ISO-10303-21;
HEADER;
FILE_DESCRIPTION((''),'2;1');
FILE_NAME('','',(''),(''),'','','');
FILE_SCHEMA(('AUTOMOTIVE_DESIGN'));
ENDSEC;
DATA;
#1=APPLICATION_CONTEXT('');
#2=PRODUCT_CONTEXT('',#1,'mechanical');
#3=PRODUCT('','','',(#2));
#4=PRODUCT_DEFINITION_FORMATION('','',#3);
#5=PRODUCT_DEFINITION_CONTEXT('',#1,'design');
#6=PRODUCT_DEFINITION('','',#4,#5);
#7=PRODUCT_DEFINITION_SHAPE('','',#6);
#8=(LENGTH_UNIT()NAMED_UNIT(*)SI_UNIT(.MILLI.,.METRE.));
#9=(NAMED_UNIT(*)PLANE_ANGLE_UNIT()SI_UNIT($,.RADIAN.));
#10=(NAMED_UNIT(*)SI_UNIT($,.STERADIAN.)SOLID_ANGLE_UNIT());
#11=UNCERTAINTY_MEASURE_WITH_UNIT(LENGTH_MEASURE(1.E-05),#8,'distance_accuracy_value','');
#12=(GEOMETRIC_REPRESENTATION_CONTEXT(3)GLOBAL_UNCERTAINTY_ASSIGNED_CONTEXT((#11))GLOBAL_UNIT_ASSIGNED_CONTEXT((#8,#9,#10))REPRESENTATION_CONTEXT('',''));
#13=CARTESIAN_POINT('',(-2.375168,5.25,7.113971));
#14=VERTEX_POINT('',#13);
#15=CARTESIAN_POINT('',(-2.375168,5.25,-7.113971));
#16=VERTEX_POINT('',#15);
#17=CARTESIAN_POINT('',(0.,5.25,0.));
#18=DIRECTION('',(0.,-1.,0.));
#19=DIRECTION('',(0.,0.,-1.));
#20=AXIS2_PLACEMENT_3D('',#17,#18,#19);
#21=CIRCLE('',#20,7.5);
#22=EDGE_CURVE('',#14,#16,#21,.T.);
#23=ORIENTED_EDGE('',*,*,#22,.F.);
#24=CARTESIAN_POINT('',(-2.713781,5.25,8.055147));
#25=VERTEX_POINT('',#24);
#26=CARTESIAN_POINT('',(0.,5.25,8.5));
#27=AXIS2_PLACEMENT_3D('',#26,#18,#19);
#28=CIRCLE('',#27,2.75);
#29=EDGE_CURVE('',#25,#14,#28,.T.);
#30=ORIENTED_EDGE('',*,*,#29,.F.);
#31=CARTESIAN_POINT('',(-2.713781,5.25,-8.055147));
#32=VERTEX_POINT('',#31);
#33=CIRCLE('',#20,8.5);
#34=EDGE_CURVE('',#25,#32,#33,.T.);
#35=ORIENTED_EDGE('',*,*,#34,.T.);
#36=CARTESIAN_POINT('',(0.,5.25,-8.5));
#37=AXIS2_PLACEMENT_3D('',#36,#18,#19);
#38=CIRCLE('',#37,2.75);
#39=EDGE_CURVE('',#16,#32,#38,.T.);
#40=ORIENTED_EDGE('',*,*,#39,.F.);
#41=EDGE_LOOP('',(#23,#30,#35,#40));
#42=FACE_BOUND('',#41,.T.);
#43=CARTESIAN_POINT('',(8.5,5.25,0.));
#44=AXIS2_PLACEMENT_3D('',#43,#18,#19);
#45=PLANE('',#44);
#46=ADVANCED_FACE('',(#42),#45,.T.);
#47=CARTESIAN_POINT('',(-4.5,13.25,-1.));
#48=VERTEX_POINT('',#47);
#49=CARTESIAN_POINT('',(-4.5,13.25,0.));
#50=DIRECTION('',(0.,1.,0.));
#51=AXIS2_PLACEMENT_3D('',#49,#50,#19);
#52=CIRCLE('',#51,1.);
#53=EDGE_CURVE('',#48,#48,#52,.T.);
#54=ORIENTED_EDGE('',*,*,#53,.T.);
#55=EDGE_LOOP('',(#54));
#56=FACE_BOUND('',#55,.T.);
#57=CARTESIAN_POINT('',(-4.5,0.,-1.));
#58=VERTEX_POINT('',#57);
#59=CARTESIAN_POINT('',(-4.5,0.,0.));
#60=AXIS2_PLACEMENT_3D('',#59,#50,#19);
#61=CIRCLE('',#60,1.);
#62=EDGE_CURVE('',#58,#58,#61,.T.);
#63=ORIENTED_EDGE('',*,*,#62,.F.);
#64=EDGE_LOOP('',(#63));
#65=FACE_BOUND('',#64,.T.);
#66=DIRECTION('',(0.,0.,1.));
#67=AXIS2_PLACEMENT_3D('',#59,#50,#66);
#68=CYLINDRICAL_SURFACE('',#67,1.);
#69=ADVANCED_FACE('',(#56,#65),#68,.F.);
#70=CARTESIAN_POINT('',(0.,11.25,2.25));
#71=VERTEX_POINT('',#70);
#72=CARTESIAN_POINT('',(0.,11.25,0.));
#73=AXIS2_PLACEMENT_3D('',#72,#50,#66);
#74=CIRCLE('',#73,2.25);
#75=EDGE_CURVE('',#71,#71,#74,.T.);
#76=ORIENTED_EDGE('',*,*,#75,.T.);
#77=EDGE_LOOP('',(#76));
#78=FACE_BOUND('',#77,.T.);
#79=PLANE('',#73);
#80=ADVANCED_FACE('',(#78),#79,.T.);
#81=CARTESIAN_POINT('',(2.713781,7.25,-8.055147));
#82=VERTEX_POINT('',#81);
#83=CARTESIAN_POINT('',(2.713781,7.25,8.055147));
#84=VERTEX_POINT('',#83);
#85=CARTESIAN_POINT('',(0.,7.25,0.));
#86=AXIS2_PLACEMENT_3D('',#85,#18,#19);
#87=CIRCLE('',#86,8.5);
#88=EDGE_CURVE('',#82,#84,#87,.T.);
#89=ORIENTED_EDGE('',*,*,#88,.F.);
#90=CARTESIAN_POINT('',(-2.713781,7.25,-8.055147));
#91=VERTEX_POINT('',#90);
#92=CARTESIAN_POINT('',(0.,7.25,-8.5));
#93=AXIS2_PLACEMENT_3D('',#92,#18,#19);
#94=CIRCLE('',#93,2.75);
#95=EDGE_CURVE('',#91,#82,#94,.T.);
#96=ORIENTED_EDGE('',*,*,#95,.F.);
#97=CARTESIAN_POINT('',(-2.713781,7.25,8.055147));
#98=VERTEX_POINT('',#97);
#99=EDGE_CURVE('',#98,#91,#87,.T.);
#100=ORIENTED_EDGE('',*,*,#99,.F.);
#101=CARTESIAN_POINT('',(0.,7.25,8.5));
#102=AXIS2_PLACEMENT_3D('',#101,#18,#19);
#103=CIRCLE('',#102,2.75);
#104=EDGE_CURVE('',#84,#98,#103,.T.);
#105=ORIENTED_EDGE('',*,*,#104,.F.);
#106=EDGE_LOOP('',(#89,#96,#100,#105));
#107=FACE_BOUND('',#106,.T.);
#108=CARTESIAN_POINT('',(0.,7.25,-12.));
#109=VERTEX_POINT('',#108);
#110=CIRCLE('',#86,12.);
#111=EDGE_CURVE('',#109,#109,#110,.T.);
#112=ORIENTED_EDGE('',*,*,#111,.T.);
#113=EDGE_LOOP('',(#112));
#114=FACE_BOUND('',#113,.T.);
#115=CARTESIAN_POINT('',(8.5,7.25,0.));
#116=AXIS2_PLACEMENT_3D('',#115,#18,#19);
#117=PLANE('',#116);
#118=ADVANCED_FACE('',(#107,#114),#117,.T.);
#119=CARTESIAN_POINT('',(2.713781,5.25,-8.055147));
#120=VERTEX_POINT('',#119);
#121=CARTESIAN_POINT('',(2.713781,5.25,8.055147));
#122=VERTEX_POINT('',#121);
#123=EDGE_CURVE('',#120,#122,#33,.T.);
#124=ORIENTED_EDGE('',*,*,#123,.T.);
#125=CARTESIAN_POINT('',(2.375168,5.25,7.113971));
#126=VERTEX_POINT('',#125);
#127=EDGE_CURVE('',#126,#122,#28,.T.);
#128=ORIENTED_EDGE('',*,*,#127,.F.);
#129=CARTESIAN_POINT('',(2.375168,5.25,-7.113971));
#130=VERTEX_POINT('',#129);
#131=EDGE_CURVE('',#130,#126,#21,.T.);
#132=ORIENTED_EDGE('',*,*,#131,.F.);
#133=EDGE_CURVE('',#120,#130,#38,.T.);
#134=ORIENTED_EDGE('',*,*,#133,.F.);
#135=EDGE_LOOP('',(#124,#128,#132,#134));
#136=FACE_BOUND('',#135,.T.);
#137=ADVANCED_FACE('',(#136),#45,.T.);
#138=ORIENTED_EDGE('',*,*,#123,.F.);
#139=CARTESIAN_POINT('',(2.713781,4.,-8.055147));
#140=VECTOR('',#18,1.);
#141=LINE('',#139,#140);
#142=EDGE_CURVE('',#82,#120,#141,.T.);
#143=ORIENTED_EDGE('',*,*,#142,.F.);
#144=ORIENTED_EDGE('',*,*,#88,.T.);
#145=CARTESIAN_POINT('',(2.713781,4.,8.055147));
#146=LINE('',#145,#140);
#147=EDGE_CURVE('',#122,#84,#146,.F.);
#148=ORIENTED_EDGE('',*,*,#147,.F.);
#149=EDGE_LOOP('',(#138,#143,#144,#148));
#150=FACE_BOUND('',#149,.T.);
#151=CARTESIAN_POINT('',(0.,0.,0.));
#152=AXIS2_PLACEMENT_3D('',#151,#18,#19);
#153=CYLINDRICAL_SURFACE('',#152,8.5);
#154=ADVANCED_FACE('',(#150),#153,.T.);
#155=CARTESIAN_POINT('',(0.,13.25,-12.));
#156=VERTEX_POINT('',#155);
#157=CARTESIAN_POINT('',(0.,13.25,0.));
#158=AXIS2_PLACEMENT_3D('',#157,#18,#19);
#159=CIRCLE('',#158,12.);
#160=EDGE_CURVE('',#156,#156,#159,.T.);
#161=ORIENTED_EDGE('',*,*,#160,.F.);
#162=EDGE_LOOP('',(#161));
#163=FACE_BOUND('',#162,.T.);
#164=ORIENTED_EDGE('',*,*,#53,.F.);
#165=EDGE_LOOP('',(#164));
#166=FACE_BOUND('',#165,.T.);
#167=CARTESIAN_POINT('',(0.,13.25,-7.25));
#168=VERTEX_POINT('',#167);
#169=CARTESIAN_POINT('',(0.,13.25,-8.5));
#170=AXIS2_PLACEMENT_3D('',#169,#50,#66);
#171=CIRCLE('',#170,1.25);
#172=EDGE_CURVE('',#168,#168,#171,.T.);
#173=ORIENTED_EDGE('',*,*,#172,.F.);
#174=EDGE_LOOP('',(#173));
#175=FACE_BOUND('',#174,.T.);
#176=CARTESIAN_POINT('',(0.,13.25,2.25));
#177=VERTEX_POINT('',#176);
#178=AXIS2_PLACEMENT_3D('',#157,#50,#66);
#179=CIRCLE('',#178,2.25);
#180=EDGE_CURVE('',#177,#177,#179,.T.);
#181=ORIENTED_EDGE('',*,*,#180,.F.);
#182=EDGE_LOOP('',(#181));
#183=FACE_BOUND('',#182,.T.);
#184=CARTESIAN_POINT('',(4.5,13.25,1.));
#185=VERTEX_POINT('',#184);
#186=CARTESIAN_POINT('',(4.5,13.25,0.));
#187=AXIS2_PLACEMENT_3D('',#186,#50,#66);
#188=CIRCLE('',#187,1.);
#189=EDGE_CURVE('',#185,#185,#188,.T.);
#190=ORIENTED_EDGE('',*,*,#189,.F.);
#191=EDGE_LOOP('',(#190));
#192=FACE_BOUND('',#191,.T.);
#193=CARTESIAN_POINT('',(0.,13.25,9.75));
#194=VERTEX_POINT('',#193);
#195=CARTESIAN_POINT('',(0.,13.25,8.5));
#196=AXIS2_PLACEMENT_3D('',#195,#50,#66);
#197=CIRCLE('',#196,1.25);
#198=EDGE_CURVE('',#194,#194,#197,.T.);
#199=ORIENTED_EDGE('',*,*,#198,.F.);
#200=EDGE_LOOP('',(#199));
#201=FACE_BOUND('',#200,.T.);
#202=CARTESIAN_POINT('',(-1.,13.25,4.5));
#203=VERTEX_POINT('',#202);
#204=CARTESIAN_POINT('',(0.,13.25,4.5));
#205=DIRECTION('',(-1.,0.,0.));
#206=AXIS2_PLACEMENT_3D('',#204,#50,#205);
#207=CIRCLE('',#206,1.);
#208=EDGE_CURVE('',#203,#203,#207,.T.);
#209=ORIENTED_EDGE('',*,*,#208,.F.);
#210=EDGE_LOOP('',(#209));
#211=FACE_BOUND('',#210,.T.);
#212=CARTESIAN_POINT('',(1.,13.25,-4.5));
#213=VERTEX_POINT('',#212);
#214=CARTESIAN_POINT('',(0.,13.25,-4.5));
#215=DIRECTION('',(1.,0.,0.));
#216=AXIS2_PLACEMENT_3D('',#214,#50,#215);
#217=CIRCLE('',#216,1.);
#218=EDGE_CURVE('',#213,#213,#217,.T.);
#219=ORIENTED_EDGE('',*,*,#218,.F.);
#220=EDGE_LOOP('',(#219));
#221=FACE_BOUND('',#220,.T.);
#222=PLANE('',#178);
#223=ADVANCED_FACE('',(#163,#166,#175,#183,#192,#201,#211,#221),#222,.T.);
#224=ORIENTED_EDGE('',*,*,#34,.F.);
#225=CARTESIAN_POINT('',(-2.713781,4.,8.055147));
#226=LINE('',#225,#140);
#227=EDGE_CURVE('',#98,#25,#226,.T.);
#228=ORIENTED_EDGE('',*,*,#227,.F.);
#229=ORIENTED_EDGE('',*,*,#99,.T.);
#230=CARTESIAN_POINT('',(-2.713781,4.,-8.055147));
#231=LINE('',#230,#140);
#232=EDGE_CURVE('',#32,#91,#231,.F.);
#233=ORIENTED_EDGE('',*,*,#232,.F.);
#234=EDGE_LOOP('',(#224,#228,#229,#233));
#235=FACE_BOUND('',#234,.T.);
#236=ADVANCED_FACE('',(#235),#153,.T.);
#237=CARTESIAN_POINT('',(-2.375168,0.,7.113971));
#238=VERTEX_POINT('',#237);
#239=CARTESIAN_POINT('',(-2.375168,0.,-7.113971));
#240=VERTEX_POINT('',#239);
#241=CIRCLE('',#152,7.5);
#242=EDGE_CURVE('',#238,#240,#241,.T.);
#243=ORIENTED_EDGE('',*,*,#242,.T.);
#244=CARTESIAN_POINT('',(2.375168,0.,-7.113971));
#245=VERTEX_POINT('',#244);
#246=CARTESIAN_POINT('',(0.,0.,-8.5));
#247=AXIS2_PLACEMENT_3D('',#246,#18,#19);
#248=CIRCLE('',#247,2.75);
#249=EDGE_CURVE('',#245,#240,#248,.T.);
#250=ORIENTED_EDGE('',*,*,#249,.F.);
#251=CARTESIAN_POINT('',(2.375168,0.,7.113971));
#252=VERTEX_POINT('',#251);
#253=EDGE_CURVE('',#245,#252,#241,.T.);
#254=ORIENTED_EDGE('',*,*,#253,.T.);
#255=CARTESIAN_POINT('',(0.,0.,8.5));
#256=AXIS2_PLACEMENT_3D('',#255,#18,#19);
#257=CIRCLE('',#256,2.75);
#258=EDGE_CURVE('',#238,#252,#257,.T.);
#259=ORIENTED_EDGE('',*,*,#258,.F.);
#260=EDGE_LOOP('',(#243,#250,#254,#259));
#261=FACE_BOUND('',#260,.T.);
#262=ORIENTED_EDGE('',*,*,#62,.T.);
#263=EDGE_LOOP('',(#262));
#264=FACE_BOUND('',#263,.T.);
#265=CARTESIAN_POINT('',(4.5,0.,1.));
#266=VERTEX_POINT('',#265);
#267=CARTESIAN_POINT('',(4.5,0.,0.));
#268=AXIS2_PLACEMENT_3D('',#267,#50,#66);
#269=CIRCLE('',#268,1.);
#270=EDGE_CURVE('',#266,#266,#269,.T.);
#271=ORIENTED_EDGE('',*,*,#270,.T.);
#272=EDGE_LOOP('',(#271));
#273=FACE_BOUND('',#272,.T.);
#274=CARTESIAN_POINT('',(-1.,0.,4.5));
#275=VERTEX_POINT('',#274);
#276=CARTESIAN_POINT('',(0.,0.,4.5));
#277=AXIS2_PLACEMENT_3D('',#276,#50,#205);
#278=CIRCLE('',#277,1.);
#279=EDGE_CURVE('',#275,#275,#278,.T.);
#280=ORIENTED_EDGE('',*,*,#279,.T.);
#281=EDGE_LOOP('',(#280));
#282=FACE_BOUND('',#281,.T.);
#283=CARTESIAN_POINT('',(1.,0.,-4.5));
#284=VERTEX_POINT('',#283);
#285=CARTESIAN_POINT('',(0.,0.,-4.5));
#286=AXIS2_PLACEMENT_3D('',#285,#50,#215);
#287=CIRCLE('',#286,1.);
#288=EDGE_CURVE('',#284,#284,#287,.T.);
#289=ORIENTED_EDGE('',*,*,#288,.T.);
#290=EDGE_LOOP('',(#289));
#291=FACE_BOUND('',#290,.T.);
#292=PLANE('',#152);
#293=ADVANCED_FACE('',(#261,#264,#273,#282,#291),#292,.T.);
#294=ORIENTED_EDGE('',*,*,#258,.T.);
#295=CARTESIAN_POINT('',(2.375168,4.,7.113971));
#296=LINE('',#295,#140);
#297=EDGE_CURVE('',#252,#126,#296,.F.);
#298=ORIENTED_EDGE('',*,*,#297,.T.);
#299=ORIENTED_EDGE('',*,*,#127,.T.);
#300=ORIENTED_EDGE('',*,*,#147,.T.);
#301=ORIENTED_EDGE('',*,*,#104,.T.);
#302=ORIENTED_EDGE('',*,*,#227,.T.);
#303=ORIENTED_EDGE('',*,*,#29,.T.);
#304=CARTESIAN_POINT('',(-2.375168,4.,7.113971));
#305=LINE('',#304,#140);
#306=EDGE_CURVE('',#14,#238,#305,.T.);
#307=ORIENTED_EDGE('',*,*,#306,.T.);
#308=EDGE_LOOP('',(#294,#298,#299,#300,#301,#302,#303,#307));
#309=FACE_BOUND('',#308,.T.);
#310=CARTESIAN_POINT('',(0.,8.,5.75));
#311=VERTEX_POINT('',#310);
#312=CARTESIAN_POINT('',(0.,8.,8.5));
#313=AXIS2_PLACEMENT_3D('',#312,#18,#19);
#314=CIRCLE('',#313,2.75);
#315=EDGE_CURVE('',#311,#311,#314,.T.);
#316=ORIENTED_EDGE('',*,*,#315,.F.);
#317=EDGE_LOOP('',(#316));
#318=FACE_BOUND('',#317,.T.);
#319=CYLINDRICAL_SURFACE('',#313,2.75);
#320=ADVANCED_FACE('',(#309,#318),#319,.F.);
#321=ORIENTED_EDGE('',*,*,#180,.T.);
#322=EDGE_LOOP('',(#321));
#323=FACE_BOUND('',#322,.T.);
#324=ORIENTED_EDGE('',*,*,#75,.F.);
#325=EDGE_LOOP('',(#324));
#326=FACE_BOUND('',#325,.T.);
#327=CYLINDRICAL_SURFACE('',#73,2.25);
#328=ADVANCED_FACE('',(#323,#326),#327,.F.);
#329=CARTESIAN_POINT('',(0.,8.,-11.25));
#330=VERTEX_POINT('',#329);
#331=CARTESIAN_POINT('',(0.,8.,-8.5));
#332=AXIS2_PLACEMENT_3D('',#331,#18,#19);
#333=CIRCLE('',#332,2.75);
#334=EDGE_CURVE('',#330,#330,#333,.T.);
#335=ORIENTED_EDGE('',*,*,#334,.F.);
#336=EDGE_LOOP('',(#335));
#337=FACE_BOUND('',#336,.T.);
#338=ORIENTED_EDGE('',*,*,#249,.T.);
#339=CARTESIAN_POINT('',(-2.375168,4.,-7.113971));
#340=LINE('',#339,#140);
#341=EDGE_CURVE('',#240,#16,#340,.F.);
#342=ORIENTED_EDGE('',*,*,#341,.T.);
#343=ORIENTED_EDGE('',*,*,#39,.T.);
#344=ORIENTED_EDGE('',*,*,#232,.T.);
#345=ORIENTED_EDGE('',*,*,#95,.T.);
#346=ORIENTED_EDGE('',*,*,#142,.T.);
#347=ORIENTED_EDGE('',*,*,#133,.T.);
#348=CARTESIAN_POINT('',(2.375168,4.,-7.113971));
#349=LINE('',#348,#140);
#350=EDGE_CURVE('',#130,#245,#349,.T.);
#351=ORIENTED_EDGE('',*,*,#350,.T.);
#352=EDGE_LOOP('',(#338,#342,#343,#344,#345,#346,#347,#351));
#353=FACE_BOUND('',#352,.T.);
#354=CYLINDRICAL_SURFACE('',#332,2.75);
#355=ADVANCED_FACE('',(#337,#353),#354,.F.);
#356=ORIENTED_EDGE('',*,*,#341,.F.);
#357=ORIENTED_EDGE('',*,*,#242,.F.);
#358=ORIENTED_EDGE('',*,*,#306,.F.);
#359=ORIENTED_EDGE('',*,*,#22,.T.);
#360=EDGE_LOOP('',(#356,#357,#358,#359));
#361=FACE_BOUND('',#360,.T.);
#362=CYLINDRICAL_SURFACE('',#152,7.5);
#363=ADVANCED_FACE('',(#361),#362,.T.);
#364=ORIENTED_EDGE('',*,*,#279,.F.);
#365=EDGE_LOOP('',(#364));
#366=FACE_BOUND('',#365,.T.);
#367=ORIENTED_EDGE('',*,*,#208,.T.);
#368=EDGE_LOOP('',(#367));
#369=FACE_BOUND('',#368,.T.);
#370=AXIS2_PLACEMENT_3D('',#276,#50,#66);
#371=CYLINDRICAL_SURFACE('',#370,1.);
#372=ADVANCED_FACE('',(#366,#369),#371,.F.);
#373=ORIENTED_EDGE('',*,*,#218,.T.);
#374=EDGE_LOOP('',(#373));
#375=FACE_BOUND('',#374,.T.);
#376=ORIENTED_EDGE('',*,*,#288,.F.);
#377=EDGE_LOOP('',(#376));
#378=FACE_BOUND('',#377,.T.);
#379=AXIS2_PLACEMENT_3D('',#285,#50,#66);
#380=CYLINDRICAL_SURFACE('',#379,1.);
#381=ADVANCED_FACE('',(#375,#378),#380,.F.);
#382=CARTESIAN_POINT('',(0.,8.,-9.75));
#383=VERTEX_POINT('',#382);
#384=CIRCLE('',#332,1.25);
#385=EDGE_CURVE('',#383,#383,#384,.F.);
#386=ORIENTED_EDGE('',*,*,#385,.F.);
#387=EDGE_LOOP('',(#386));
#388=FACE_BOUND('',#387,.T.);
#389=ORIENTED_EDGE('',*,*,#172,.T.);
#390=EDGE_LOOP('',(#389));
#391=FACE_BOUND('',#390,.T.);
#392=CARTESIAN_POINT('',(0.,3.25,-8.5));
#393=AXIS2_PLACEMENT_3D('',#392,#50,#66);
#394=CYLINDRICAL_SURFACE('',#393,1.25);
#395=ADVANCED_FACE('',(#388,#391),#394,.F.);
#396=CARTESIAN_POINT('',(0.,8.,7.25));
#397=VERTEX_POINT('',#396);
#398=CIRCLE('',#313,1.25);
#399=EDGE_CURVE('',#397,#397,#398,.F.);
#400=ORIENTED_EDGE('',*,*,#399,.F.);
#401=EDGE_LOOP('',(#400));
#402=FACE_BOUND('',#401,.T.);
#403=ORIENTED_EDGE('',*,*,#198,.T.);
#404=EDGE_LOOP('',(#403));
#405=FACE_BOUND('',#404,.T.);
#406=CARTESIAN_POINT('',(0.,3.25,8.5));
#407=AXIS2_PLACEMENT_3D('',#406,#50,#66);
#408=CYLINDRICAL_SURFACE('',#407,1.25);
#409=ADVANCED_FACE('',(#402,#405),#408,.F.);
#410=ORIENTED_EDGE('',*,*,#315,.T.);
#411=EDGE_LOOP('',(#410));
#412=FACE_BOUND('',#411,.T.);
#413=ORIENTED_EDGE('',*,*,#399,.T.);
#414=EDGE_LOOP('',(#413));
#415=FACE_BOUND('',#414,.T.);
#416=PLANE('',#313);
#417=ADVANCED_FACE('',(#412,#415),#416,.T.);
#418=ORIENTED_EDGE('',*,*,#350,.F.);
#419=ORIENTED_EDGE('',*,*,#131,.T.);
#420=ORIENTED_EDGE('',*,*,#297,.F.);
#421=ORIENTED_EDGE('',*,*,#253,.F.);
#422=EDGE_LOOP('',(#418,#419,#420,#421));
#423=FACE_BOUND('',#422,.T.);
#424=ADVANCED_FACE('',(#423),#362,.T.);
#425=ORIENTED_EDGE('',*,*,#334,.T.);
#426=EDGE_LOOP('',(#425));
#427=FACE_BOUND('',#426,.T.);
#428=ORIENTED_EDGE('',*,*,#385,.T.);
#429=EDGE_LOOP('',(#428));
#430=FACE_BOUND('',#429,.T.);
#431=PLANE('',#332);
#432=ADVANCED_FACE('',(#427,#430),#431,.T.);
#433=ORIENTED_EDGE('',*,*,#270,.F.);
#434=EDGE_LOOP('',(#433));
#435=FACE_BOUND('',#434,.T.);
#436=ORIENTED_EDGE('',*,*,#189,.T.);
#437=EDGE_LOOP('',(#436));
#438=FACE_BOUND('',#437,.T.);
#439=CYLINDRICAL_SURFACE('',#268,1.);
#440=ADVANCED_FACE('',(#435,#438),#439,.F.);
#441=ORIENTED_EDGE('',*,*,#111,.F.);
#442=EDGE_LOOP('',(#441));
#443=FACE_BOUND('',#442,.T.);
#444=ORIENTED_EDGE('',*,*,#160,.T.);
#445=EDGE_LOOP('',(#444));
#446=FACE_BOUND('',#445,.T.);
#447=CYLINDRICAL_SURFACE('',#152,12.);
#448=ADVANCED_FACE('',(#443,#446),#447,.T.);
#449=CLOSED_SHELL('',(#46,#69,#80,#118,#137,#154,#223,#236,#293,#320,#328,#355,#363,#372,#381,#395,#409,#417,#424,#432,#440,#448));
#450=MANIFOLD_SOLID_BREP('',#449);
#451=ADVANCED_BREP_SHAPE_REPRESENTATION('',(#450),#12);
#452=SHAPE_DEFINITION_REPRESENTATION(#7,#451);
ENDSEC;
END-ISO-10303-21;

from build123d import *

# Parameters (mm, degrees)
SKETCH2_R          = 1
CUT_EXTRUDE1_DEPTH = 22.53050162
CIRPATTERN1_COUNT  = 4
SKETCH5_R          = 1.25
CUT_EXTRUDE4_DEPTH = 10
SKETCH3_R          = 2.75
CUT_EXTRUDE2_DEPTH = 8
SKETCH4_R          = 2.25
CUT_EXTRUDE3_DEPTH = 2


with BuildPart() as part:
    # Sketch1 → Revolve1 (revolve)
    with BuildSketch(Plane.XY, mode=Mode.PRIVATE) as revolve1_sk:
        Polygon((0, 13.25), (0, 0), (7.5, 0), (7.5, 5.25), (8.5, 5.25), (8.5, 7.25), (12, 7.25), (12, 13.25), align=None)
    revolve(revolve1_sk.sketch.rotate(Axis((0, 0, 0), (0, 1, 0)), 90), axis=Axis((0, 0, 0), (0, 1, 0)))

    # Sketch2 → Cut-Extrude1 (cut, through all)
    with BuildSketch(Plane(origin=(0, 13.25, 0), x_dir=(1, 0, 0), z_dir=(0, 1, 0))):
        with Locations(Location((4.5, 0, 0), (0, 0, 270))):
            Circle(SKETCH2_R)
    cut_extrude1 = extrude(amount=-CUT_EXTRUDE1_DEPTH, mode=Mode.SUBTRACT)

    # CirPattern1: Cut-Extrude1 ×4 about axis
    cirpattern1_axis = Axis((0, 0, 0), (0, 1, 0))
    for i in range(1, CIRPATTERN1_COUNT):
        add(cut_extrude1.rotate(cirpattern1_axis, i * 360 / CIRPATTERN1_COUNT), mode=Mode.SUBTRACT)

    # Sketch5 → Cut-Extrude4 (cut)
    with BuildSketch(Plane(origin=(0, 13.25, 0), x_dir=(1, 0, 0), z_dir=(0, 1, 0))):
        with Locations(Location((0, 8.5, 0), (0, 0, 270))):
            Circle(SKETCH5_R)
        with Locations(Location((0, -8.5, 0), (0, 0, 270))):
            Circle(SKETCH5_R)
    extrude(amount=-CUT_EXTRUDE4_DEPTH, mode=Mode.SUBTRACT)

    # Sketch3 → Cut-Extrude2 (cut)
    with BuildSketch(Plane.XZ):
        with Locations(Location((0, 8.5, 0), (0, 0, 270))):
            Circle(SKETCH3_R)
        with Locations(Location((0, -8.5, 0), (0, 0, 270))):
            Circle(SKETCH3_R)
    extrude(amount=-CUT_EXTRUDE2_DEPTH, mode=Mode.SUBTRACT)

    # Sketch4 → Cut-Extrude3 (cut)
    with BuildSketch(Plane(origin=(0, 13.25, 0), x_dir=(1, 0, 0), z_dir=(0, 1, 0))):
        with Locations(Location((0, 0, 0), (0, 0, 270))):
            Circle(SKETCH4_R)
    extrude(amount=-CUT_EXTRUDE3_DEPTH, mode=Mode.SUBTRACT)


solid = part.part
